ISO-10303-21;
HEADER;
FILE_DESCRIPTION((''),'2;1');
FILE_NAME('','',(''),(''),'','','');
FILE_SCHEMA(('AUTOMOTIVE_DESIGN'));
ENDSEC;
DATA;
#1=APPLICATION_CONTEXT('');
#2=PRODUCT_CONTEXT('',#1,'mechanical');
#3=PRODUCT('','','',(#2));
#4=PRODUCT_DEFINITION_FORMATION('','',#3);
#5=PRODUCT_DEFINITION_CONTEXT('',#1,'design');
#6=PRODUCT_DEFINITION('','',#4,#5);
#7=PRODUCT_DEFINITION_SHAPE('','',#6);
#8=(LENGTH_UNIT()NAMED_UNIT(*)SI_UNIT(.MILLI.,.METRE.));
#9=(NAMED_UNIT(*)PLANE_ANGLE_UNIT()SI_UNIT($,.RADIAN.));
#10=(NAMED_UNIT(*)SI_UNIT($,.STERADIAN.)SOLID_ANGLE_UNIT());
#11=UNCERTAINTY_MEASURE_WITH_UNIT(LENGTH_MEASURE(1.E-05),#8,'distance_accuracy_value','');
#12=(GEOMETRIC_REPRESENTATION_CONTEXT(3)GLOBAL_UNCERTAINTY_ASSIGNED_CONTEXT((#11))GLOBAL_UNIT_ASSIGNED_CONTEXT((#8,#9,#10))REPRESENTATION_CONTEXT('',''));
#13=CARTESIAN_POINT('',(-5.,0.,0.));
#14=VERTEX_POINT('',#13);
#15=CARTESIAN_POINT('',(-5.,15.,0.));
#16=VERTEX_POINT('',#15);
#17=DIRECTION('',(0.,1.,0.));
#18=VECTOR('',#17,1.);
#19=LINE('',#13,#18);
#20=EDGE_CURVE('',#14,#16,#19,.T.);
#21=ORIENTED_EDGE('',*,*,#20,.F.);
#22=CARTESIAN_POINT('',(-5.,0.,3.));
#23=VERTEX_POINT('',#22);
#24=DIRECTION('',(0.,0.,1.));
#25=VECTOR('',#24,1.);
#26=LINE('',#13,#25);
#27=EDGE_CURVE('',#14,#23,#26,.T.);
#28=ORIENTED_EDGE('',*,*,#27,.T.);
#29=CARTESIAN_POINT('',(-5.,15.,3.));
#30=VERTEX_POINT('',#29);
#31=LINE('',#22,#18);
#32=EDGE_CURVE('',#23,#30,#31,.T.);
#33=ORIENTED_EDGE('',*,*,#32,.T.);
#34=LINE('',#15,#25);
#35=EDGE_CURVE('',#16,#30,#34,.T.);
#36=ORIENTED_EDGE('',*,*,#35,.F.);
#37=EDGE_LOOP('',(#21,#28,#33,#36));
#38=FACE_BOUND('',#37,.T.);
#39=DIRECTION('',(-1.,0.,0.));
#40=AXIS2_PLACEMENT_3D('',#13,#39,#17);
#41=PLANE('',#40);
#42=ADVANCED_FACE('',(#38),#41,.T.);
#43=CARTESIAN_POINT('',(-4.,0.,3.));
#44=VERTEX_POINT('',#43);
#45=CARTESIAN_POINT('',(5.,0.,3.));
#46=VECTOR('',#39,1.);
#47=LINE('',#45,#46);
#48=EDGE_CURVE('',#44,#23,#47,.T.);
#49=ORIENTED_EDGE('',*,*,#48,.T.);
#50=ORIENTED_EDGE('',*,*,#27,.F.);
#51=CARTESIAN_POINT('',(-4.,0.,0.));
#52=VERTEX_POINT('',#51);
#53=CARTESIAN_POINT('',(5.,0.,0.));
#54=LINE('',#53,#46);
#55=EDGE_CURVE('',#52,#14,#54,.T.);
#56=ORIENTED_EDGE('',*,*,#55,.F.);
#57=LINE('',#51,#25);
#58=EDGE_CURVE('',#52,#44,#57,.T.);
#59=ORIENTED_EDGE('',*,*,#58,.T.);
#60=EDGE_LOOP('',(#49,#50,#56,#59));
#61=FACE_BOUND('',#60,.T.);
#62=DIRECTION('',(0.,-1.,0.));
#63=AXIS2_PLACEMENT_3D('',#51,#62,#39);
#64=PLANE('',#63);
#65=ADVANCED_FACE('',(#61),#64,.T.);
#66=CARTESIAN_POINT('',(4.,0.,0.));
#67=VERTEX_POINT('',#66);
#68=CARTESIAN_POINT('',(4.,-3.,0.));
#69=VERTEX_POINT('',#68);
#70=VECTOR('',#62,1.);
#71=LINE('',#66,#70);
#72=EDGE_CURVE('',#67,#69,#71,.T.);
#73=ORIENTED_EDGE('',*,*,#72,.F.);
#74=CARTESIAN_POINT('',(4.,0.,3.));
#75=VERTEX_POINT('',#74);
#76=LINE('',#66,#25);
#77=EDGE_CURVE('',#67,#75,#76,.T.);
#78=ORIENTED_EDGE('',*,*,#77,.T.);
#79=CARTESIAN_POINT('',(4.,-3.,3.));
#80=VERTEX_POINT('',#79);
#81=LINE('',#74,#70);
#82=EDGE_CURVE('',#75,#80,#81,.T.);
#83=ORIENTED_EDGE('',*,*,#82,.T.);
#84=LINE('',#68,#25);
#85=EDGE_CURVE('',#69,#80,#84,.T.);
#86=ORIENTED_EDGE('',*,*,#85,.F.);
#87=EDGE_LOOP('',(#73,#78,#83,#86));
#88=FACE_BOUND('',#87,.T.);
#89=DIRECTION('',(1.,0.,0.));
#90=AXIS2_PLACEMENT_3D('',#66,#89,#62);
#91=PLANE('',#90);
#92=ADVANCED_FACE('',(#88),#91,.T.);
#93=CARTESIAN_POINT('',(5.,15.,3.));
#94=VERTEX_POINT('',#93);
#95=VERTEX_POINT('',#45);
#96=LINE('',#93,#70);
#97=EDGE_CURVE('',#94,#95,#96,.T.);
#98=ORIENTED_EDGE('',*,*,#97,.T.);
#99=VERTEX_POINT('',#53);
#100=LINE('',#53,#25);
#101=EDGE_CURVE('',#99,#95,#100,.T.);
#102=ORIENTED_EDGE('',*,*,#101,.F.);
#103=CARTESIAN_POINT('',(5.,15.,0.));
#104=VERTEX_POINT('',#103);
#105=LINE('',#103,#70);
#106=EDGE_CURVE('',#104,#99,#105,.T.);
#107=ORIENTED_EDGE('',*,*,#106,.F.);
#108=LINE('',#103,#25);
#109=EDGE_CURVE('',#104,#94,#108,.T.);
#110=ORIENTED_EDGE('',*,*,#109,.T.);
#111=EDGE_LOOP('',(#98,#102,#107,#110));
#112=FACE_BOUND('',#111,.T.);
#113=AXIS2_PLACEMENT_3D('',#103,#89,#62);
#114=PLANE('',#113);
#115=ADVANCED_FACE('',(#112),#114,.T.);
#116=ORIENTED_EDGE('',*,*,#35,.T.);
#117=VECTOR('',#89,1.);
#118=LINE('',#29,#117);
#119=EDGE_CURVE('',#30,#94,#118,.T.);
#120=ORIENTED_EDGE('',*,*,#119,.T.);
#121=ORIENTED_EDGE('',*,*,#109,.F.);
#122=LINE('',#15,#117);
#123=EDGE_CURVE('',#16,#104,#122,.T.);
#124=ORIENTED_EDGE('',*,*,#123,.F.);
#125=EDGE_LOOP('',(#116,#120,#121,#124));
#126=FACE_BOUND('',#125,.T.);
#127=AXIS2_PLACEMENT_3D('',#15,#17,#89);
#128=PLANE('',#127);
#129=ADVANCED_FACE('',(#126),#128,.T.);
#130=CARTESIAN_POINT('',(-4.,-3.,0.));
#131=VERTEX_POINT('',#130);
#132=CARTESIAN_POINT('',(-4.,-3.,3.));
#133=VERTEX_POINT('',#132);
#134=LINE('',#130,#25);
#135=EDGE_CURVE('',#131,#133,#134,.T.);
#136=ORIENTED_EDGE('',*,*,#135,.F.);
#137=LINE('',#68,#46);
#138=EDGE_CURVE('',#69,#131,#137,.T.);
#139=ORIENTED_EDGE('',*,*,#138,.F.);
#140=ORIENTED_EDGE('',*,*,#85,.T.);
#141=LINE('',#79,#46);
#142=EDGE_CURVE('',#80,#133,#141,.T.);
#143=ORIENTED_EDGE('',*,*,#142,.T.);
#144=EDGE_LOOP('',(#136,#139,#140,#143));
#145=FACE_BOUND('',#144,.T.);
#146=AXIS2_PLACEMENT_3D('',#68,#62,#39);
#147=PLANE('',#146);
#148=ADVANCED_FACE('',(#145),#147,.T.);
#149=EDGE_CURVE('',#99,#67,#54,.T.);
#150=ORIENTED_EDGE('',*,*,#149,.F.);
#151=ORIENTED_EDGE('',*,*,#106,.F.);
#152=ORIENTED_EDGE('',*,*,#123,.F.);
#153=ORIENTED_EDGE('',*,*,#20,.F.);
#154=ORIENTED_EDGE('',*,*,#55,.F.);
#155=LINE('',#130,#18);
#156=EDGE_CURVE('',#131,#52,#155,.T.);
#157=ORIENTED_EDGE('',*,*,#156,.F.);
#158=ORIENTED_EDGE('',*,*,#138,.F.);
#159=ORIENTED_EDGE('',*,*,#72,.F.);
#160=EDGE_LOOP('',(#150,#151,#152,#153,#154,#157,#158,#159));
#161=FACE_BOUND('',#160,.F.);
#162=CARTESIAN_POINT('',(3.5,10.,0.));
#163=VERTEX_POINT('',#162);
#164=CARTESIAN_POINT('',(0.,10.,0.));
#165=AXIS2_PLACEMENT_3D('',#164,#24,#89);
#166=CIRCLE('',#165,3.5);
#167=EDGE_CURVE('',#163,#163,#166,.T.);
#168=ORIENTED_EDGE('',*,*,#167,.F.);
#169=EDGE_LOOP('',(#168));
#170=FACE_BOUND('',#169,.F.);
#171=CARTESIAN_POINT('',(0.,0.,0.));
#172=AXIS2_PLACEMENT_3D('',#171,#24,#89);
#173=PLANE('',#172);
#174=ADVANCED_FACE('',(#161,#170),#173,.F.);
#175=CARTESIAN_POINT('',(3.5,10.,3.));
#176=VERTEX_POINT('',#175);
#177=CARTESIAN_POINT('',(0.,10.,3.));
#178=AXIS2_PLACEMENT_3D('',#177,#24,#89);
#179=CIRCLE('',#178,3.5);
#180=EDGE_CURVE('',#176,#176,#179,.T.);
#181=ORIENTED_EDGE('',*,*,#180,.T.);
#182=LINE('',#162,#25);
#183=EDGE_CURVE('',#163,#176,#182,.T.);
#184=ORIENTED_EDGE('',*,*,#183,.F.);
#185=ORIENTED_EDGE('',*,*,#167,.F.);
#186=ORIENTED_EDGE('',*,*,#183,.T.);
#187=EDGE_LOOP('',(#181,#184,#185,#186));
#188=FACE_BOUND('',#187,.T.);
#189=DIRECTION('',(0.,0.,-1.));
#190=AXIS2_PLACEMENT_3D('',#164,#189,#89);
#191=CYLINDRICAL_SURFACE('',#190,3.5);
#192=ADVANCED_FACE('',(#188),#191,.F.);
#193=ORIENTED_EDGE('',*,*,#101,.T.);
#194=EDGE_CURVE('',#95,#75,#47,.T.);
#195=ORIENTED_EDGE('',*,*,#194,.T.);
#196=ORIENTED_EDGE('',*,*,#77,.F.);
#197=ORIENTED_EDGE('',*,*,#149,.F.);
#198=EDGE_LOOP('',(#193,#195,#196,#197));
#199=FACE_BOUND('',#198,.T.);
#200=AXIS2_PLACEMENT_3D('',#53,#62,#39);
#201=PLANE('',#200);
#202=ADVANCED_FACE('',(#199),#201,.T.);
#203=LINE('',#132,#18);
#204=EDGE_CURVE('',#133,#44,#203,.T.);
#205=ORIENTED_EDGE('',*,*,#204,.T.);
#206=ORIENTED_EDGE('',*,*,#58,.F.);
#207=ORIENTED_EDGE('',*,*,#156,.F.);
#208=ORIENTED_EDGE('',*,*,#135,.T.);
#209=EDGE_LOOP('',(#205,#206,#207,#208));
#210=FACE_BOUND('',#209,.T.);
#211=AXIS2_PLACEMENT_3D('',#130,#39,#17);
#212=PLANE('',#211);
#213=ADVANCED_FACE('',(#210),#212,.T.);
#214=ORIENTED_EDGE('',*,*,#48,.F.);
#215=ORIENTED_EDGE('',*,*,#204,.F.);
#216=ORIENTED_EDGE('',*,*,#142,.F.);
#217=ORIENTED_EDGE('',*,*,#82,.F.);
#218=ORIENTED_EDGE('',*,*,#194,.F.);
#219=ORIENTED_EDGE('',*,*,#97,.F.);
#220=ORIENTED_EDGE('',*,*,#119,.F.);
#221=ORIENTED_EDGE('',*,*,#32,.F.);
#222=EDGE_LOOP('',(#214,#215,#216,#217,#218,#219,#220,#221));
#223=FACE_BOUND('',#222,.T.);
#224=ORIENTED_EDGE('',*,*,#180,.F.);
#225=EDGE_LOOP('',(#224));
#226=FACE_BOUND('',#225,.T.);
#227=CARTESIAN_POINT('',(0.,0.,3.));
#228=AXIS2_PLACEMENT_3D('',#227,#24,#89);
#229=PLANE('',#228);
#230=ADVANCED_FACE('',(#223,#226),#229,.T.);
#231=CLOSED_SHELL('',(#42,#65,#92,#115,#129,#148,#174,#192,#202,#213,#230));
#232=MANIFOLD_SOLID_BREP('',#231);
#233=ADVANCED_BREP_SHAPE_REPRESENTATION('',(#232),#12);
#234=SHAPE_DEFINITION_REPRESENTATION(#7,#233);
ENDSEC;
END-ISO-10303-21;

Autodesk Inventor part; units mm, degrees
ref_plane "YZ Plane" through (0, 0, 0) normal (1, 0, 0) x (0, 1, 0)
ref_plane "XZ Plane" through (0, 0, 0) normal (0, 1, 0) x (-1, 0, 0)
ref_plane "XY Plane" through (0, 0, 0) normal (0, 0, 1) x (1, 0, 0)
sketch "草圖1" plane through (0, 0, 0) normal (0, 0, 1) x (1, 0, 0)
  line L0 (-5, 15) -> (5, 15)
  line L1 (5, 15) -> (5, 0)
  line L2 (5, 0) -> (-5, 0)
  line L3 (-5, 0) -> (-5, 15)
  line L4 (-4, 0) -> (4, 0)
  line L5 (4, 0) -> (4, -3)
  line L6 (4, -3) -> (-4, -3)
  line L7 (-4, -3) -> (-4, 0)
  circle A0 centre (0, 10) radius 3.5
  point P0 (0, 0)
  point P1 (0, 0)
  dimension "d0" = 3
  dimension "d1" = 8
  dimension "d2" = 15
  dimension "d3" = 7
  dimension "d4" = 5
  dimension "d5" = 10
extrude "擠出1" add sketch "草圖1" along normal blind 3
properties part number "land"
